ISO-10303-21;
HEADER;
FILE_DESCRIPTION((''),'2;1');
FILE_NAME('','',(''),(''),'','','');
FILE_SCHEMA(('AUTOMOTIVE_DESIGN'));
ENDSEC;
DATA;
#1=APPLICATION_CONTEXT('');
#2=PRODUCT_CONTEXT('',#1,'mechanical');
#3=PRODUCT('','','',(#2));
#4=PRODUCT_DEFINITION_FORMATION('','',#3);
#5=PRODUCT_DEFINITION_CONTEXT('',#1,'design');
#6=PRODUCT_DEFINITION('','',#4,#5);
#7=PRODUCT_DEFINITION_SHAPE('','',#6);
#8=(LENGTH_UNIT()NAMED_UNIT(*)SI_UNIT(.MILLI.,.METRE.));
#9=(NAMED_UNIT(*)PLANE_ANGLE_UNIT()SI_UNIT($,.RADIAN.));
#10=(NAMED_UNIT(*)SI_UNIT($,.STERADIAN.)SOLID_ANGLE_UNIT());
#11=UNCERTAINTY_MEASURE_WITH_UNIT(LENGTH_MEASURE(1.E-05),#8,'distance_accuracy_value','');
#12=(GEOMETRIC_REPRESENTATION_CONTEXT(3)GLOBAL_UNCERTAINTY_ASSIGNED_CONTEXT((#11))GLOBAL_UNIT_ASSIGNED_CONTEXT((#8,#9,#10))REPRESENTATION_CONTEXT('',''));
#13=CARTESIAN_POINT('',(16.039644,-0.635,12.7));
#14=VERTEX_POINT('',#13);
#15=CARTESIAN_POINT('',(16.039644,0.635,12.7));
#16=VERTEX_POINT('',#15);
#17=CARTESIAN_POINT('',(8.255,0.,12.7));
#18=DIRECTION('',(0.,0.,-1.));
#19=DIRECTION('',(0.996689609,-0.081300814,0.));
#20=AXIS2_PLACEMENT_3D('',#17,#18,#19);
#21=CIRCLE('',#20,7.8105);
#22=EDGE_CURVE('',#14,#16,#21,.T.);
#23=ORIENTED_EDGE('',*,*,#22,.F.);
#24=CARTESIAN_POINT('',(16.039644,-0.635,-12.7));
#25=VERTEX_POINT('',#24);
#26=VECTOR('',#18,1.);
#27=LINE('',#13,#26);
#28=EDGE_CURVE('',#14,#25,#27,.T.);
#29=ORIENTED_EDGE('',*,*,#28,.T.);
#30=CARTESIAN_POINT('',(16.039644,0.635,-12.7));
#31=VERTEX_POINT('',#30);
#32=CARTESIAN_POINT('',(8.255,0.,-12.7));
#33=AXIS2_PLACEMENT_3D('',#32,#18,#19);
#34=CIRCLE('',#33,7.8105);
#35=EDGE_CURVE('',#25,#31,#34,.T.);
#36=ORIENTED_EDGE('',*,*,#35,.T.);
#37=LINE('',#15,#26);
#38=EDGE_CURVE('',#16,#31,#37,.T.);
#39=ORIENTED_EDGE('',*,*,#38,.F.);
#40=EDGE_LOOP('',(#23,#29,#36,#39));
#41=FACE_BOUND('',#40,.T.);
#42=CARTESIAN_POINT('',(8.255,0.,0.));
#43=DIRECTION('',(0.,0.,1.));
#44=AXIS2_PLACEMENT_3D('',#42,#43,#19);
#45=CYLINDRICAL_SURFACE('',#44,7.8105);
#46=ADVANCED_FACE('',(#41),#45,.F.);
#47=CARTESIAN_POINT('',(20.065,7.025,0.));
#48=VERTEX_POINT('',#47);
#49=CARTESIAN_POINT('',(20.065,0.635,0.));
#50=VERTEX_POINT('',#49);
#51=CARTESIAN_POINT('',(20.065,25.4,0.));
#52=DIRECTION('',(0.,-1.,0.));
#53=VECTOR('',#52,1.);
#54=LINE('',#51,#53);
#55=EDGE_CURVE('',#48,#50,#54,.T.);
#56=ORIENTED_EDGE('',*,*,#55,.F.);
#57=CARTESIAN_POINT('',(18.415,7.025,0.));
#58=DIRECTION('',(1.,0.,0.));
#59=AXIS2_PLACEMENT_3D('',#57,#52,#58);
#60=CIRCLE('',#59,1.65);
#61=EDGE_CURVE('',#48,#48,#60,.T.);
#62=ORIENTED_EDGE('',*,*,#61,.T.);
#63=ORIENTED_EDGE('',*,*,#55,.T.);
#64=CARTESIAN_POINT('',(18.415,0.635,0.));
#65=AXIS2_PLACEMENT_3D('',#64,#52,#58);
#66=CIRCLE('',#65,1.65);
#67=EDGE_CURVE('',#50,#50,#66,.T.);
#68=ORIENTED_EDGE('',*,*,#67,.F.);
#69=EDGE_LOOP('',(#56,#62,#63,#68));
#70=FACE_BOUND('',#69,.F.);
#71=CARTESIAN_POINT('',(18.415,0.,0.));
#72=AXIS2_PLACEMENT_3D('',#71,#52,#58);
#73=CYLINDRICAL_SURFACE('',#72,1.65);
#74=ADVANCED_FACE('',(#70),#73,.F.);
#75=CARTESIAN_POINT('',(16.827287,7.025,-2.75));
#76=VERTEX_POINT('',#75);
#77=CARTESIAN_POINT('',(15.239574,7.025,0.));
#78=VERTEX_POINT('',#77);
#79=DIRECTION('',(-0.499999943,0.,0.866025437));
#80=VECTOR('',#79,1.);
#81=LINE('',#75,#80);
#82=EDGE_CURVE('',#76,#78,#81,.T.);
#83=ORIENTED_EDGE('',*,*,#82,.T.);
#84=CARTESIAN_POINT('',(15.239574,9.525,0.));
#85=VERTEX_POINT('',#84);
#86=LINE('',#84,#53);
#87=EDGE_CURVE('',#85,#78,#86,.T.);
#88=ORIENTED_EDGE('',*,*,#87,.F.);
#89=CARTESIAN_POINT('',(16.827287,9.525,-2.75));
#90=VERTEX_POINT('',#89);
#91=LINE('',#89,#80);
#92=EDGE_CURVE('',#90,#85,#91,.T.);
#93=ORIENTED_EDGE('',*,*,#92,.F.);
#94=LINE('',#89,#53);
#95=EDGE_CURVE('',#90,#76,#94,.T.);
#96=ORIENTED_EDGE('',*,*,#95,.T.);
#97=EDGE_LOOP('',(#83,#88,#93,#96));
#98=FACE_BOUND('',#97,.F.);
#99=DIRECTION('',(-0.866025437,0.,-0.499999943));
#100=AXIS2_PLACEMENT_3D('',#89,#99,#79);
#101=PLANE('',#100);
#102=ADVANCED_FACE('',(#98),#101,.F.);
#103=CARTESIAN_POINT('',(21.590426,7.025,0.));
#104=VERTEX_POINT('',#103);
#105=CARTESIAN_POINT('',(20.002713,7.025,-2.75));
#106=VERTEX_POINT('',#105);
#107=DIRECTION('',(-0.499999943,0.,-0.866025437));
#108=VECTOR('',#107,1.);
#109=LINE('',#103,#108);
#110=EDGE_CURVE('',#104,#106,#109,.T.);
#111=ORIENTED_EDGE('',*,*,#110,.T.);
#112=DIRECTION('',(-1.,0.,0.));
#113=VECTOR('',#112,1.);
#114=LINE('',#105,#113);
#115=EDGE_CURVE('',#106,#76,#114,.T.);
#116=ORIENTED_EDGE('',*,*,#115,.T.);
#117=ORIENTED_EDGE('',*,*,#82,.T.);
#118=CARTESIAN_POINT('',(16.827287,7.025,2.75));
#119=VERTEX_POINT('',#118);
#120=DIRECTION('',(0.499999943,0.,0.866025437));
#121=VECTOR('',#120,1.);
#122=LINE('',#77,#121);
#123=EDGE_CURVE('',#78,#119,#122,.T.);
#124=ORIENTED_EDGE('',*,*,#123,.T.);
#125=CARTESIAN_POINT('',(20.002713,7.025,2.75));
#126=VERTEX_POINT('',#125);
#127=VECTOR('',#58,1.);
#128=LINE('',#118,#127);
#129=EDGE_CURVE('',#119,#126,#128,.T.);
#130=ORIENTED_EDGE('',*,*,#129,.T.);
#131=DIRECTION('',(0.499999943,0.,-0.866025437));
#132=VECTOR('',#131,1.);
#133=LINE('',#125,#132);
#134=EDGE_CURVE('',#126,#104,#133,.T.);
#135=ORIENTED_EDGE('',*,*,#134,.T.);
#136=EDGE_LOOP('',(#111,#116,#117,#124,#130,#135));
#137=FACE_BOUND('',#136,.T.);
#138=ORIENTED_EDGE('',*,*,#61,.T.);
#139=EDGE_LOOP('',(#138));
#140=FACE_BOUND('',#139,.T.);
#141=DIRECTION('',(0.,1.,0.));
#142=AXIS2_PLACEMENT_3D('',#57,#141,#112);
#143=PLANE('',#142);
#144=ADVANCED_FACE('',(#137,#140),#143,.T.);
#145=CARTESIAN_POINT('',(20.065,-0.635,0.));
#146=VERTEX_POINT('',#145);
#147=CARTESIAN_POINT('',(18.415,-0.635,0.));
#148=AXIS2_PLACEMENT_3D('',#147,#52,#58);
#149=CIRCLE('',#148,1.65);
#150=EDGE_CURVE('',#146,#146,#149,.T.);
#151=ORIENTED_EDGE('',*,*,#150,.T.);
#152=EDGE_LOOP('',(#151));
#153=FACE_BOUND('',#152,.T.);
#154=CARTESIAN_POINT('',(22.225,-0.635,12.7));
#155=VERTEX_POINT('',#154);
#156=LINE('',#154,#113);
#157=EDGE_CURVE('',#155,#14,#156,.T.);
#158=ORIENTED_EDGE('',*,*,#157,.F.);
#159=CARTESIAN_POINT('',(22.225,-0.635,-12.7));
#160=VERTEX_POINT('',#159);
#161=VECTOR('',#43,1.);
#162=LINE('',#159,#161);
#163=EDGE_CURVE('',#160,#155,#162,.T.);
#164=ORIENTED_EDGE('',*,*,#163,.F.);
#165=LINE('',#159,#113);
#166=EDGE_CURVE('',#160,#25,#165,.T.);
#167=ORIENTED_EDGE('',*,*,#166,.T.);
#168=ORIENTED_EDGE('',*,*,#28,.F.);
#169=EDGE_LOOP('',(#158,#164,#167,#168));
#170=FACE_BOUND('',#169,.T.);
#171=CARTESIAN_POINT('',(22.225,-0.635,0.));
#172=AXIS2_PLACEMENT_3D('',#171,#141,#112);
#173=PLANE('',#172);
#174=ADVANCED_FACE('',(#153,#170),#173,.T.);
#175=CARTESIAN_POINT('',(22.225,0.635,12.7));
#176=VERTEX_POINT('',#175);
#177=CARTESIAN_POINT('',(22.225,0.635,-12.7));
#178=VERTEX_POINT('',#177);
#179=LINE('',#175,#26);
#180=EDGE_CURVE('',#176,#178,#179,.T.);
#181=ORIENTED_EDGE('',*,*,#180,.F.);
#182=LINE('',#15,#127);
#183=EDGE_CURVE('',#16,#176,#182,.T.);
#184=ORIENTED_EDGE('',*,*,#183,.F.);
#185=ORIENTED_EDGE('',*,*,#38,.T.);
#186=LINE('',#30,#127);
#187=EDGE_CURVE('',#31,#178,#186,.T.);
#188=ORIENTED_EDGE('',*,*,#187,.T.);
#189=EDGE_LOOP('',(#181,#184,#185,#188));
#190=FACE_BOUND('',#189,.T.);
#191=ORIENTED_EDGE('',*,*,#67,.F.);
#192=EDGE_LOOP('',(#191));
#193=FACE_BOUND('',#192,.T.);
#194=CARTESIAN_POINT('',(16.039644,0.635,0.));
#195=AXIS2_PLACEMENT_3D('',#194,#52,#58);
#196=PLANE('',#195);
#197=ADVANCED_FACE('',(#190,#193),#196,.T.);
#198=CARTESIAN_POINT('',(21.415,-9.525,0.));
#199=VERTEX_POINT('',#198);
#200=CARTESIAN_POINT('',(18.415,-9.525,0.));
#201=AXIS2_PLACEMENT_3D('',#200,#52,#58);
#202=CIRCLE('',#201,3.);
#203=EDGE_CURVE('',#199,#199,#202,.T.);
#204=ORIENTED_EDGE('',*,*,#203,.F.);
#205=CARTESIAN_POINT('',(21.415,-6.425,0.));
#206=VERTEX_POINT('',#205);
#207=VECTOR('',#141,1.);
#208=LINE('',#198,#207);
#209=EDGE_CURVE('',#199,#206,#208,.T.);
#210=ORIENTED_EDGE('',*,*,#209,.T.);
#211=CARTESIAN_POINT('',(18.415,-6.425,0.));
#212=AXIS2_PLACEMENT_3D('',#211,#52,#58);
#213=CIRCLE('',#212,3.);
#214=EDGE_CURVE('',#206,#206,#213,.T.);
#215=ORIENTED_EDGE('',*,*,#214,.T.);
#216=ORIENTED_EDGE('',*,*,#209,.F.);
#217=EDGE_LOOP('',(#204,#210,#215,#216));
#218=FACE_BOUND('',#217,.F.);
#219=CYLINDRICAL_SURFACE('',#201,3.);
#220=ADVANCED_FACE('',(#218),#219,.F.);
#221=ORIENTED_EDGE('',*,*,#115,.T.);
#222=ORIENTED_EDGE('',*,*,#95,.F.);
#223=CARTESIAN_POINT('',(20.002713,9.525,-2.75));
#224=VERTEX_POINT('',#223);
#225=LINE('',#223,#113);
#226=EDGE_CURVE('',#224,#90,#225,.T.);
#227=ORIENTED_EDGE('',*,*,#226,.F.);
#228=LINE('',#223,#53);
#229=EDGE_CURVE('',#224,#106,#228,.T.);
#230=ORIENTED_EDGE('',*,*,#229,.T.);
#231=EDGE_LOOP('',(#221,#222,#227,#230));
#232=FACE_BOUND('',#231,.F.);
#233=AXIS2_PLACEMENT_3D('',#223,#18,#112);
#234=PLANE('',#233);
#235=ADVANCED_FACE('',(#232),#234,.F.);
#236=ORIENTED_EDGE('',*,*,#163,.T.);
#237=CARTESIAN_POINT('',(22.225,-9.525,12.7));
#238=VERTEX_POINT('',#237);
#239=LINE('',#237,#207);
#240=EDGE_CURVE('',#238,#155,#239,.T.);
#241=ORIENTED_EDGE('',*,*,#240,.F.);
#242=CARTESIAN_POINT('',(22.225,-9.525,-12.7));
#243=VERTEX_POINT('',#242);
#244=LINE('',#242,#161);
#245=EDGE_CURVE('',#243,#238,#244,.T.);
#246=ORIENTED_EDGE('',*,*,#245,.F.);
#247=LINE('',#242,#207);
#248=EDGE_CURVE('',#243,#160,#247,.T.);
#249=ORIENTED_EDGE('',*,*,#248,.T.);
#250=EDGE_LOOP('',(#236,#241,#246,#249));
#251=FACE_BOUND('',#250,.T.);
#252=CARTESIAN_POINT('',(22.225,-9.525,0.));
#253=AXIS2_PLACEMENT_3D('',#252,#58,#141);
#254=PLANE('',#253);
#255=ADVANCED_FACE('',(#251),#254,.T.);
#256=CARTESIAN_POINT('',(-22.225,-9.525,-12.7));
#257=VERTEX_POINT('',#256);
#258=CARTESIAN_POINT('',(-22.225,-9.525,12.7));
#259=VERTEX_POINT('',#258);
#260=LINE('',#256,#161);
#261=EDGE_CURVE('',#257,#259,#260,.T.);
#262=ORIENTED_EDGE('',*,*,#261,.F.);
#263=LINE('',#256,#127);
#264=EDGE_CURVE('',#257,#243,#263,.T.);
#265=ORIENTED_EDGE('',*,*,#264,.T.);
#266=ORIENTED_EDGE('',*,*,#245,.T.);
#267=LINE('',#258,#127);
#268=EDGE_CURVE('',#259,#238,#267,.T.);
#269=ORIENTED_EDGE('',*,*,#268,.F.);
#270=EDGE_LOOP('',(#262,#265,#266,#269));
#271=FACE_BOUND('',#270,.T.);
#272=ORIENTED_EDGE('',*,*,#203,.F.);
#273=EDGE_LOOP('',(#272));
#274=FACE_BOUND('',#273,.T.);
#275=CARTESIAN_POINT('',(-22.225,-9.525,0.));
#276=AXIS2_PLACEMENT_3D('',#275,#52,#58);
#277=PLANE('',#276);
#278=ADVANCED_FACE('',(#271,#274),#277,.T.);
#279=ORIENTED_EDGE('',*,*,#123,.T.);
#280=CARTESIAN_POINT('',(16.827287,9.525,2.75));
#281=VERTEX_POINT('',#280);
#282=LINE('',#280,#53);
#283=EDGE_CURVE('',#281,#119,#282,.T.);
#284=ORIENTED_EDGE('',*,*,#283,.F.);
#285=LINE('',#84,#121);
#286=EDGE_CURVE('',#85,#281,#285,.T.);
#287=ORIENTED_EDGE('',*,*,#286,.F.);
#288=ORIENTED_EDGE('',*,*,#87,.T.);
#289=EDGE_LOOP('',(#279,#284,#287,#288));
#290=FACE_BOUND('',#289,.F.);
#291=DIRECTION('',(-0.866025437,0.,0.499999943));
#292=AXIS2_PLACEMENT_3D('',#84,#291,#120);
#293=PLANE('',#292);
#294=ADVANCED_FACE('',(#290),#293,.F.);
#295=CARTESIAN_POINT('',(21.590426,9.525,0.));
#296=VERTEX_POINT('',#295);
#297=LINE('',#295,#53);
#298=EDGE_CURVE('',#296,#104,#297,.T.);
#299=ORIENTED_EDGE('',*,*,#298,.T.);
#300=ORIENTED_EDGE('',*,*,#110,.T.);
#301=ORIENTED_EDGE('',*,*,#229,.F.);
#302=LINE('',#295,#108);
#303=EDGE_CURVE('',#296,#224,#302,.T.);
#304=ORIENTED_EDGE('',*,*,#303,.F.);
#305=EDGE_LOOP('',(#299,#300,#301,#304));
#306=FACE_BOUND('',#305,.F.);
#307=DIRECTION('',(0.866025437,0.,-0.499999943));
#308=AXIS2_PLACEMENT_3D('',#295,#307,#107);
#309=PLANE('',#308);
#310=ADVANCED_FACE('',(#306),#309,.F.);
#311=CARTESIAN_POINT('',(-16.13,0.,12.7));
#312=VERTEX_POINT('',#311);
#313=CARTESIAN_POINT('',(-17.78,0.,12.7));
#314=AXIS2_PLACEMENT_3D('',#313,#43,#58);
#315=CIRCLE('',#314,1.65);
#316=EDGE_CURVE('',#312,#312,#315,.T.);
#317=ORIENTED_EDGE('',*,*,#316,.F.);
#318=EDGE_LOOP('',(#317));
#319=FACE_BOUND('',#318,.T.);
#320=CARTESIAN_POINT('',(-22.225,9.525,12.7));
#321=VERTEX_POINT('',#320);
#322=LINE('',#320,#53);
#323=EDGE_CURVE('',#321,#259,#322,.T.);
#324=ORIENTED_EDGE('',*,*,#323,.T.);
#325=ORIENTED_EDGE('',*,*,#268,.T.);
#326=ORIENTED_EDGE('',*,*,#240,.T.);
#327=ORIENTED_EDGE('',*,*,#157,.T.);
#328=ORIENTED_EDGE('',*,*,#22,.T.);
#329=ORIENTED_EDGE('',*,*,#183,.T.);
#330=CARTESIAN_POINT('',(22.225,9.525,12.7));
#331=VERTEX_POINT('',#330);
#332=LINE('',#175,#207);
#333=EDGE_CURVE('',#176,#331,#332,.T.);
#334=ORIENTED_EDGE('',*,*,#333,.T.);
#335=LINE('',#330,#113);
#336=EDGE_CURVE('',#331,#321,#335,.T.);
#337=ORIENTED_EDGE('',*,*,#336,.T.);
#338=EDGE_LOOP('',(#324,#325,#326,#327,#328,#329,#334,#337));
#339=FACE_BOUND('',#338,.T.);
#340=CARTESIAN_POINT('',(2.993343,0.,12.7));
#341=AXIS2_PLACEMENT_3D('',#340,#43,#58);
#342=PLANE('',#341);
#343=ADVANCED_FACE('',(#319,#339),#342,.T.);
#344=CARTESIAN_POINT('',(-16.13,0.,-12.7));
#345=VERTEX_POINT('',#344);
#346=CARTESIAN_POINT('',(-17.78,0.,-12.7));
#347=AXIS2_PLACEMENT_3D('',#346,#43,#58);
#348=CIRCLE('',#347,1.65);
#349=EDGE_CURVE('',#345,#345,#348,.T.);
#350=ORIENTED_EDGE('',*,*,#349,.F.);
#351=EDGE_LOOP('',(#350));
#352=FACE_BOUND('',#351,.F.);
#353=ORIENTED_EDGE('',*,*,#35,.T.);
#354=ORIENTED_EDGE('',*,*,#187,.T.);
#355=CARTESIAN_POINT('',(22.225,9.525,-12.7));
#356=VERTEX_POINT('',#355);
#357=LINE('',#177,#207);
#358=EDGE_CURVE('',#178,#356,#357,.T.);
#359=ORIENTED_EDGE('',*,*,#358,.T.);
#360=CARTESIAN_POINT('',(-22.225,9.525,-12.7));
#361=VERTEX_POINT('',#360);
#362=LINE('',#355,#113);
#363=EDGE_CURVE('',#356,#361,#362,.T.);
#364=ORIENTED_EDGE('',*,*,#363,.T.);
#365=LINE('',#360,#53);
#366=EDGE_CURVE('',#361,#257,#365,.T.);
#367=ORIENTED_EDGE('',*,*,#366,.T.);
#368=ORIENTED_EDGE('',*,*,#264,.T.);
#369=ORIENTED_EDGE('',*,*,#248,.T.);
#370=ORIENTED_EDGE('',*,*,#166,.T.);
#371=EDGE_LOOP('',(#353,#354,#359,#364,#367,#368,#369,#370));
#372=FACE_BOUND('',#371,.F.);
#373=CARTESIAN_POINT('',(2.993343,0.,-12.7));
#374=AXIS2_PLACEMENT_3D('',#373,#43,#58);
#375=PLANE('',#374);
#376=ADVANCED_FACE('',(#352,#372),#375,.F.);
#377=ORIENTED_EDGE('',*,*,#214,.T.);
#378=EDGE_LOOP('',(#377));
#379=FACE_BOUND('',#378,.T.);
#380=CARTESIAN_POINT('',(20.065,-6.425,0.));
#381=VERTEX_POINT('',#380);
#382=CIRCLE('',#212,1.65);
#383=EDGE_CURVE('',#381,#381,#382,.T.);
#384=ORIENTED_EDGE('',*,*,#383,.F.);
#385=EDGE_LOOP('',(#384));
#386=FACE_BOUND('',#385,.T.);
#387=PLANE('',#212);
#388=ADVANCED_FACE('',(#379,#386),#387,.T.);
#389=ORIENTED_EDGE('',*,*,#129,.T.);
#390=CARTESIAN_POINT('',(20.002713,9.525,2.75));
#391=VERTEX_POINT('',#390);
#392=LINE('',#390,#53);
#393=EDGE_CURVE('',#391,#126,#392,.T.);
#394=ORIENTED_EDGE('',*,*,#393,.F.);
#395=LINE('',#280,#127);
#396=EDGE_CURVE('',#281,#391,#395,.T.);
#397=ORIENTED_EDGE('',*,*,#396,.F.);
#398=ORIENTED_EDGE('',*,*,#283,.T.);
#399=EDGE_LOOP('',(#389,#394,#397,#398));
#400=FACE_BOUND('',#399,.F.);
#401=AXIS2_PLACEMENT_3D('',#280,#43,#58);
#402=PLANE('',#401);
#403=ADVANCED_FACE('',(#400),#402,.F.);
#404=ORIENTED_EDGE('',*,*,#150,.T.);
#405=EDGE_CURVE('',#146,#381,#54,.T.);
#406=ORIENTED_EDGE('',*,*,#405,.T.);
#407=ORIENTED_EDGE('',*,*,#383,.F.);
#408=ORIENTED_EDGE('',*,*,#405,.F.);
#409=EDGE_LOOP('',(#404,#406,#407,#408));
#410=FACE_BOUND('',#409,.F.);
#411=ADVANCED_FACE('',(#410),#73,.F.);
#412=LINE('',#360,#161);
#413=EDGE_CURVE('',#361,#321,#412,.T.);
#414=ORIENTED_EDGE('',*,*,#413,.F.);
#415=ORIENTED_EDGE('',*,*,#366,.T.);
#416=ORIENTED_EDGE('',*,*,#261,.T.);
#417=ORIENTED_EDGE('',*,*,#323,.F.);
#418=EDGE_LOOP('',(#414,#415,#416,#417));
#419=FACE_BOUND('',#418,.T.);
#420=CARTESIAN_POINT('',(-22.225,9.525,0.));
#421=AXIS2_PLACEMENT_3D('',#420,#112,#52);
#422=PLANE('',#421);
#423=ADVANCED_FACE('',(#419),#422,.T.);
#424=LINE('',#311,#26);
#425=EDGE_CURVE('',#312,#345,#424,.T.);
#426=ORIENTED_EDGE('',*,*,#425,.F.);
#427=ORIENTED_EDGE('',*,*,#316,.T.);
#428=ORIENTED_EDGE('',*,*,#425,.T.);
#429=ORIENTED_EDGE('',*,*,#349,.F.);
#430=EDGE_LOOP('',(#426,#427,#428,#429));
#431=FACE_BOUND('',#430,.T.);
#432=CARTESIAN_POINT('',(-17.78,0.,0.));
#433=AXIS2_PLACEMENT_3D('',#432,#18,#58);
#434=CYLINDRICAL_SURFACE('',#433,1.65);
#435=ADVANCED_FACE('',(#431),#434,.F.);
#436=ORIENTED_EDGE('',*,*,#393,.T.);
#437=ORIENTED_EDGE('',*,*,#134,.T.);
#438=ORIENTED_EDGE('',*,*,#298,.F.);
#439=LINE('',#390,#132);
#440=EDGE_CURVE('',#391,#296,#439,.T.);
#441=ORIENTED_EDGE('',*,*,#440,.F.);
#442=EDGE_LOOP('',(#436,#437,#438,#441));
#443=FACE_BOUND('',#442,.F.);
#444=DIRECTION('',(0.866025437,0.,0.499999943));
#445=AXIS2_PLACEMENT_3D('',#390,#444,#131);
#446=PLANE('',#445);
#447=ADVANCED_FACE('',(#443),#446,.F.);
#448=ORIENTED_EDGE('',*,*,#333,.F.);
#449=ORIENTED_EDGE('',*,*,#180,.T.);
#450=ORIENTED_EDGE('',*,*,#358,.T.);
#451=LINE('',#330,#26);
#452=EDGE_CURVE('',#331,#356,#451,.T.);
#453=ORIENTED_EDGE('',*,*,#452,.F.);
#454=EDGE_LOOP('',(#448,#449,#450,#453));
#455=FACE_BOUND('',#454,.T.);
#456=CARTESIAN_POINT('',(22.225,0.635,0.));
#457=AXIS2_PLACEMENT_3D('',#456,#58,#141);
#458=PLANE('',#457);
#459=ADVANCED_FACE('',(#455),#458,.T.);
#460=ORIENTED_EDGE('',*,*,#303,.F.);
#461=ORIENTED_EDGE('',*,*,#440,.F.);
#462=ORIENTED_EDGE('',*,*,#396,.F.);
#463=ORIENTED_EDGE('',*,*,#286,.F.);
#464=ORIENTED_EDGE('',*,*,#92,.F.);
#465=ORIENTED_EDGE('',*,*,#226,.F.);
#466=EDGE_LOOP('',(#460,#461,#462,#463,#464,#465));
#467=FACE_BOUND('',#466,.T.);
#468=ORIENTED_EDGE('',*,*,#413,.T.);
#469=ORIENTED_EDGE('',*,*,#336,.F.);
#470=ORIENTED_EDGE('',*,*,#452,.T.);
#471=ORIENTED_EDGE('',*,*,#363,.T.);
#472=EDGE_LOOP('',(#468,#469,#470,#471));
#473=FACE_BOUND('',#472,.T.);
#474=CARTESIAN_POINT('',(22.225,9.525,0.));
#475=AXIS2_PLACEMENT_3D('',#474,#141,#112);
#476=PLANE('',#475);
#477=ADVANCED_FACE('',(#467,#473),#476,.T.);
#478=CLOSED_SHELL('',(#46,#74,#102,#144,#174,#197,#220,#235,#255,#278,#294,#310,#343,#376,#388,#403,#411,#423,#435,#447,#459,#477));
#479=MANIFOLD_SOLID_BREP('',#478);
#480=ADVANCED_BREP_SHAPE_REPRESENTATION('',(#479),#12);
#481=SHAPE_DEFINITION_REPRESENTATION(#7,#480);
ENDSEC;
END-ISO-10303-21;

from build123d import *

# Parameters (mm, degrees)
F0_R     = 1.65
F1_DEPTH = 12.7
F2_R     = 1.65
F3_DEPTH = 25.4
F4_R     = 3
F4_R_2   = 1.65
F5_DEPTH = 3.1
F6_R     = 1.65
F7_DEPTH = 2.5


with BuildPart() as f1:
    # F0 (on Top) → F1 (new body, symmetric)
    with BuildSketch(Plane.XY):
        with BuildLine():
            Line((22.225, 9.525), (-22.225, 9.525))
            Line((-22.225, 9.525), (-22.225, -9.525))
            Line((-22.225, -9.525), (22.225, -9.525))
            Line((22.225, -9.525), (22.225, -0.635))
            Line((22.225, -0.635), (16.039644, -0.635))
            ThreePointArc((16.039644, -0.635), (0.4445, 0), (16.039644, 0.635))
            Line((16.039644, 0.635), (22.225, 0.635))
            Line((22.225, 0.635), (22.225, 9.525))
        make_face()
        with Locations((-17.78, 0)):
            Circle(F0_R, mode=Mode.SUBTRACT)
    extrude(amount=F1_DEPTH, both=True)

    # F2 (on Front) → F3 (cut, symmetric)
    with BuildSketch(Plane.XZ):
        with Locations((18.415, 0)):
            Circle(F2_R)
    extrude(amount=F3_DEPTH, both=True, mode=Mode.SUBTRACT)

    # F4 (on face) → F5 (cut)
    with BuildSketch(Plane.XZ.offset(9.525)):
        with Locations((18.415, 0)):
            Circle(F4_R)
        with Locations((18.415, 0)):
            Circle(F4_R_2, mode=Mode.SUBTRACT)
    extrude(amount=-F5_DEPTH, mode=Mode.SUBTRACT)

    # F6 (on face) → F7 (cut)
    with BuildSketch(Plane(origin=(0, 9.525, 0), x_dir=(-1, 0, 0), z_dir=(0, 1, 0))):
        Polygon((-16.827287, 2.75), (-20.002713, 2.75), (-21.590426, 0), (-20.002713, -2.75), (-16.827287, -2.75), (-15.239574, 0), align=None)
        with Locations((-18.415, 0)):
            Circle(F6_R, mode=Mode.SUBTRACT)
    extrude(amount=-F7_DEPTH, mode=Mode.SUBTRACT)


solid = f1.part
